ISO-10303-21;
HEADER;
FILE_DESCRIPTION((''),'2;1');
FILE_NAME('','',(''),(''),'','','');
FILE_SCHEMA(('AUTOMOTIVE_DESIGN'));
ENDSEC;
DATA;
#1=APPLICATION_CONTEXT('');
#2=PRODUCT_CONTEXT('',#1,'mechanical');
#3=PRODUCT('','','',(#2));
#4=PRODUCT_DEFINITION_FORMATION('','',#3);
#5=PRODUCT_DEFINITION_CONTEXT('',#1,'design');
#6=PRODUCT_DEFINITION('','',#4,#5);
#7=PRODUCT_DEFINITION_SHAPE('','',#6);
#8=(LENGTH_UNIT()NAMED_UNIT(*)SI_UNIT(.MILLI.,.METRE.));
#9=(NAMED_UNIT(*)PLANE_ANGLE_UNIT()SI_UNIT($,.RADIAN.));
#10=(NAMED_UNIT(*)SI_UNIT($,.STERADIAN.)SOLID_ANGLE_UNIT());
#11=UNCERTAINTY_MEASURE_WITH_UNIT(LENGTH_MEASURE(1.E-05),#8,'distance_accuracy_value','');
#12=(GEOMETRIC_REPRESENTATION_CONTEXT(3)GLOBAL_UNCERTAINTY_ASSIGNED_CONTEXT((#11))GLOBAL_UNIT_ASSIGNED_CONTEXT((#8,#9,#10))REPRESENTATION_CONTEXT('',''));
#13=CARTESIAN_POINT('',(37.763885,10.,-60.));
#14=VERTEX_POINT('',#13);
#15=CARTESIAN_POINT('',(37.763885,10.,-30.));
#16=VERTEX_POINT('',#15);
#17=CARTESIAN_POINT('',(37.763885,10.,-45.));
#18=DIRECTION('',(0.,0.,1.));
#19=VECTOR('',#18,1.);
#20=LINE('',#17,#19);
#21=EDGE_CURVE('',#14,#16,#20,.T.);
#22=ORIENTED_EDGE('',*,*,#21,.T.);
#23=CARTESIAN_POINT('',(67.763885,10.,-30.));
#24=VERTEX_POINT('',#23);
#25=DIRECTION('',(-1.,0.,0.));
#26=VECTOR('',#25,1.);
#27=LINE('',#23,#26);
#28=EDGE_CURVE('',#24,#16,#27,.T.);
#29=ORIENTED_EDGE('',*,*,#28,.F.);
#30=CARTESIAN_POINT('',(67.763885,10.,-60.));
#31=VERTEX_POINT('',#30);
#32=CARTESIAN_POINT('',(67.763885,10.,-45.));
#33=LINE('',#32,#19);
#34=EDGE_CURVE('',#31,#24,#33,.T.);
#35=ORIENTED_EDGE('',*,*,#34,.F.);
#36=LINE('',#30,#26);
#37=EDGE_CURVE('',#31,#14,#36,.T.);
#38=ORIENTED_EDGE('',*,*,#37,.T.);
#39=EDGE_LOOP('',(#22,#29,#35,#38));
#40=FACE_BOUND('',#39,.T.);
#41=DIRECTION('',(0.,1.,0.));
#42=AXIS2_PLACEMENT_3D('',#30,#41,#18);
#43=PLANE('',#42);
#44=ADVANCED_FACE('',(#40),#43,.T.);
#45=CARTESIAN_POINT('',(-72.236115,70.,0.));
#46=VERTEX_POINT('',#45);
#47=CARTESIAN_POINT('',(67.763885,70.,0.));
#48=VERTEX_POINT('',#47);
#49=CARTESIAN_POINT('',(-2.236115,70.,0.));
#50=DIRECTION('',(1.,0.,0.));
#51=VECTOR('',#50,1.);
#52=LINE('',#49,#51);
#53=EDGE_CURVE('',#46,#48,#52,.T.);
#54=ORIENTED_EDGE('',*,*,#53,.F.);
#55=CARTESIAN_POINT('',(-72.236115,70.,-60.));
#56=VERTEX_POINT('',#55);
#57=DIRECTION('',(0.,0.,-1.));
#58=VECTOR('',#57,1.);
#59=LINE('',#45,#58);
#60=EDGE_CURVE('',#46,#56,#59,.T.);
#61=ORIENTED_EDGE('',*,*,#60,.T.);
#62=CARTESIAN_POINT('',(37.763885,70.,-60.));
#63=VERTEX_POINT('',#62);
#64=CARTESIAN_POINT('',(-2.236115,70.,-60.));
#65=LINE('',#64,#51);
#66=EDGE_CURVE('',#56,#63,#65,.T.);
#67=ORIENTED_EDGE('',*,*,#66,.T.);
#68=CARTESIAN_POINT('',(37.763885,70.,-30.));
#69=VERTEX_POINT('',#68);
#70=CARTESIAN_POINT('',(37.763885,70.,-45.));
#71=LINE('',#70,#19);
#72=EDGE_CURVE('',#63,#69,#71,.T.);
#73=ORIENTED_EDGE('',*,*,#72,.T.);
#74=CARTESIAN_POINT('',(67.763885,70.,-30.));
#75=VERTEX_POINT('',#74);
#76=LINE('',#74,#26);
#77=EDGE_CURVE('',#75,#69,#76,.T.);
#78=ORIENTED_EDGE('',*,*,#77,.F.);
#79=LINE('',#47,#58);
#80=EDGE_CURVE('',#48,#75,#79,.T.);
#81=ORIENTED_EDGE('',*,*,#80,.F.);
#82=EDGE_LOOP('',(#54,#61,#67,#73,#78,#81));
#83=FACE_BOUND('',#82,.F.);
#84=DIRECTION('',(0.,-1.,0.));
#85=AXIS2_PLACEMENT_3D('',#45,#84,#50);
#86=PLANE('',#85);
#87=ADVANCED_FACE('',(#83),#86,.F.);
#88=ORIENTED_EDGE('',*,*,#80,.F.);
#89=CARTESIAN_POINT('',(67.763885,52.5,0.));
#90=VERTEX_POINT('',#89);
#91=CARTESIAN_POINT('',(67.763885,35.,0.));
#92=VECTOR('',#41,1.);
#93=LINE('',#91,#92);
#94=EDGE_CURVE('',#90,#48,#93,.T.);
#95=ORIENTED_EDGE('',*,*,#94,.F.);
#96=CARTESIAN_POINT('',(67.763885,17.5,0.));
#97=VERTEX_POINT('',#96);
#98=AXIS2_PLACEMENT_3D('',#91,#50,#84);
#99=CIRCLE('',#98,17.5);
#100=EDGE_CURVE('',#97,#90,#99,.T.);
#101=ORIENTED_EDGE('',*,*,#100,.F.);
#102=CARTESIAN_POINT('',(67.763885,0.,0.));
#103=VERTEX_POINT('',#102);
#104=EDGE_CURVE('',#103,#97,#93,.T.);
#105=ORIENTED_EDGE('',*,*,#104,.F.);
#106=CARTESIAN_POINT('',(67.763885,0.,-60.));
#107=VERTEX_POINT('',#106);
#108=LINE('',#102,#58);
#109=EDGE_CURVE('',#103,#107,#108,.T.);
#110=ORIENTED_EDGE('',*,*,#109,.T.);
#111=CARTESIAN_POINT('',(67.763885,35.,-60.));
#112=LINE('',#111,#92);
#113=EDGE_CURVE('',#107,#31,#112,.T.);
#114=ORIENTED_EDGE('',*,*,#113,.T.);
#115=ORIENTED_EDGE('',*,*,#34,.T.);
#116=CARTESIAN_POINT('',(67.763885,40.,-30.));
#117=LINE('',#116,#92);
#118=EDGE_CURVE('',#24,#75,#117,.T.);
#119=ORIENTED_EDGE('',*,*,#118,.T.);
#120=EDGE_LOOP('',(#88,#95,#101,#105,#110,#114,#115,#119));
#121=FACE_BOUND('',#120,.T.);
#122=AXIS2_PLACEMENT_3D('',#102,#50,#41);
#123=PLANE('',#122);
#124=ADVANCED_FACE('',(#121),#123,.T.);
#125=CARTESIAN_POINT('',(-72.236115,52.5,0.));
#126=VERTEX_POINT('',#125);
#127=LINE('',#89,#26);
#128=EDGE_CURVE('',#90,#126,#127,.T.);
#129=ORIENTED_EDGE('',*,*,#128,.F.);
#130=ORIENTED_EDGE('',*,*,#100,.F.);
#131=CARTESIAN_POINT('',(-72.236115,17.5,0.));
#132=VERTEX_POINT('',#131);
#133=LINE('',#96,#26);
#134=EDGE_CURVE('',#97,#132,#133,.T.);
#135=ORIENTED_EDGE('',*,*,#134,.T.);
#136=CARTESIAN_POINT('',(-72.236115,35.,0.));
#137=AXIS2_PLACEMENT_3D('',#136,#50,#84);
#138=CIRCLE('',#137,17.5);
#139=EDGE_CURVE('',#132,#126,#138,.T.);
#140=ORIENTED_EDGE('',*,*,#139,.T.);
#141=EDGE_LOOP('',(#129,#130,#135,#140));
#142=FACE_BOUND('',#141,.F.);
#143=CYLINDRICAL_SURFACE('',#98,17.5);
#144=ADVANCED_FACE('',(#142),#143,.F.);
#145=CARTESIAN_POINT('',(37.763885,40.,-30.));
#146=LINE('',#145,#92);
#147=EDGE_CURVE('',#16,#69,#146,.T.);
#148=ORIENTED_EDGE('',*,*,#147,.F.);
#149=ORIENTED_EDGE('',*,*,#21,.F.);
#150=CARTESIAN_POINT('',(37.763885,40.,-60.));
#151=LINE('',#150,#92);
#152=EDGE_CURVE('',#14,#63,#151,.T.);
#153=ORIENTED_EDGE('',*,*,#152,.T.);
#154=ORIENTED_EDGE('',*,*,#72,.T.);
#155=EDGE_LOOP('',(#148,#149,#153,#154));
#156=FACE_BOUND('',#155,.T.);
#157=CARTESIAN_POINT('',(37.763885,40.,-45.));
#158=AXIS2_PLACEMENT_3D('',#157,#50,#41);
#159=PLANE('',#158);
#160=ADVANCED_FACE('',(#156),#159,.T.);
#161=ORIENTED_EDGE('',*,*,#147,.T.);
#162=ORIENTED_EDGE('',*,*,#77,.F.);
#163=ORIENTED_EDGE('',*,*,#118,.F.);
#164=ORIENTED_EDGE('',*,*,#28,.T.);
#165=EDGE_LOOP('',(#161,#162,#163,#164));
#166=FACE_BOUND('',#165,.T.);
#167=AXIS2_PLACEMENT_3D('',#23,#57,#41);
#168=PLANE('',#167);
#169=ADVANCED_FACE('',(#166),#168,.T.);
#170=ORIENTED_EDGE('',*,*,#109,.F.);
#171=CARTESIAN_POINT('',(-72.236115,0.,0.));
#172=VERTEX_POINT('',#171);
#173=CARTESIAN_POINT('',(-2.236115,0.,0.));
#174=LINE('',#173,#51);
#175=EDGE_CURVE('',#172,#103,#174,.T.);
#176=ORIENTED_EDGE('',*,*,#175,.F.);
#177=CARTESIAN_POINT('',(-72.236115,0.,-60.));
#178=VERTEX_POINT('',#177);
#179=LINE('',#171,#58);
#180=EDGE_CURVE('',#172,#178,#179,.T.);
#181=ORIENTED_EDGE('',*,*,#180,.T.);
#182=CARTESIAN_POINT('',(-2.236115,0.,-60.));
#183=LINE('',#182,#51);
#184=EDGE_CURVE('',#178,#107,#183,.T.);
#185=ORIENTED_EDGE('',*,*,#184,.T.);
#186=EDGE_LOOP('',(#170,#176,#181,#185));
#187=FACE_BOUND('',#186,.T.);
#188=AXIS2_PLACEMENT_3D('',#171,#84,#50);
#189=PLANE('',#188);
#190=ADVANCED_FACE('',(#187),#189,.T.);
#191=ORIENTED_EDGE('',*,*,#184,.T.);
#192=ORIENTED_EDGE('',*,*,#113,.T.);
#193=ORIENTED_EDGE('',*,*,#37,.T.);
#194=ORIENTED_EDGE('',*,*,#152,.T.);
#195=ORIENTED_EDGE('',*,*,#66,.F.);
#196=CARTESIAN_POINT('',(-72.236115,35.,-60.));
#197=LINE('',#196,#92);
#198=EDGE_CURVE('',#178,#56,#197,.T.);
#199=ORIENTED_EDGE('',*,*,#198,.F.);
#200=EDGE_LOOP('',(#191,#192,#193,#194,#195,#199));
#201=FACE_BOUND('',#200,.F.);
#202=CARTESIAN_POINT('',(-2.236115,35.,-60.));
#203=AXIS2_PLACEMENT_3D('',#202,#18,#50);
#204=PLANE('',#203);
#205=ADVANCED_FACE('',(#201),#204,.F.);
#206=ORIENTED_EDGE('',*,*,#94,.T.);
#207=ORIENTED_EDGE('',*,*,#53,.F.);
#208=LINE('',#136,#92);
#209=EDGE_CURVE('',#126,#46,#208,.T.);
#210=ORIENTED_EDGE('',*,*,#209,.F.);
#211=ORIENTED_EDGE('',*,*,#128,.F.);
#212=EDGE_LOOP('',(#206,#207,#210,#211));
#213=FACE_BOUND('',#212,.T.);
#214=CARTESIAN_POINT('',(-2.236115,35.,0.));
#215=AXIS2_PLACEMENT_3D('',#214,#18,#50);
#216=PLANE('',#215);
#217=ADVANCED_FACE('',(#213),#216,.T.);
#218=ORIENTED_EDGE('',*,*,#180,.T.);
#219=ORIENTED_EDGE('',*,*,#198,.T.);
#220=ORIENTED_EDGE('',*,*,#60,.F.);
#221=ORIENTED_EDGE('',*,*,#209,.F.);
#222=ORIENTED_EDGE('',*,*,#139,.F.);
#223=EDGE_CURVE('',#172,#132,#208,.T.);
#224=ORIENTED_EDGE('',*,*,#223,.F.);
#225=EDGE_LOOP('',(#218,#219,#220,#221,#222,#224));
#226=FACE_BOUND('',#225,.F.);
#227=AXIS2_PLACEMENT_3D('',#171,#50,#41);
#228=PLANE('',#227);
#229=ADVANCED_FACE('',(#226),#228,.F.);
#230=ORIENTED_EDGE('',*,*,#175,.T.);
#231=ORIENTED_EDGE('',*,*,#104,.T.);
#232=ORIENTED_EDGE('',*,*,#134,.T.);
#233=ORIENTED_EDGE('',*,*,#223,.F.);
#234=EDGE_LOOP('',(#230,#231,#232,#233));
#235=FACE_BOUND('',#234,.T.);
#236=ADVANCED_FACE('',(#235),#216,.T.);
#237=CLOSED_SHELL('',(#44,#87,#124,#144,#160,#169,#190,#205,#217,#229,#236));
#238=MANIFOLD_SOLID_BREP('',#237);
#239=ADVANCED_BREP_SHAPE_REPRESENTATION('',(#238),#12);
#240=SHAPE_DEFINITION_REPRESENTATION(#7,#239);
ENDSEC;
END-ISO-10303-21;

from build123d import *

# Parameters (mm, degrees)
F0_W     = 140
F0_H     = 70
F1_DEPTH = 60
F3_DEPTH = 142
F4_W     = 60
F4_H     = 30
F5_DEPTH = 30


with BuildPart() as f1:
    # F0 (on Top) → F1 (new body)
    with BuildSketch(Plane.XY):
        with Locations((-2.236115, 35)):
            Rectangle(F0_W, F0_H)
    extrude(amount=-F1_DEPTH)

    # F2 (on face) → F3 (cut)
    with BuildSketch(Plane.YZ.offset(67.763885)):
        with BuildLine():
            ThreePointArc((17.5, 0), (35, -17.5), (52.5, 0))
            Line((52.5, 0), (17.5, 0))
        make_face()
    extrude(amount=-F3_DEPTH, mode=Mode.SUBTRACT)

    # F4 (on face) → F5 (cut)
    with BuildSketch(Plane.YZ.offset(67.763885)):
        with Locations((40, -45)):
            Rectangle(F4_W, F4_H)
    extrude(amount=-F5_DEPTH, mode=Mode.SUBTRACT)


solid = f1.part
